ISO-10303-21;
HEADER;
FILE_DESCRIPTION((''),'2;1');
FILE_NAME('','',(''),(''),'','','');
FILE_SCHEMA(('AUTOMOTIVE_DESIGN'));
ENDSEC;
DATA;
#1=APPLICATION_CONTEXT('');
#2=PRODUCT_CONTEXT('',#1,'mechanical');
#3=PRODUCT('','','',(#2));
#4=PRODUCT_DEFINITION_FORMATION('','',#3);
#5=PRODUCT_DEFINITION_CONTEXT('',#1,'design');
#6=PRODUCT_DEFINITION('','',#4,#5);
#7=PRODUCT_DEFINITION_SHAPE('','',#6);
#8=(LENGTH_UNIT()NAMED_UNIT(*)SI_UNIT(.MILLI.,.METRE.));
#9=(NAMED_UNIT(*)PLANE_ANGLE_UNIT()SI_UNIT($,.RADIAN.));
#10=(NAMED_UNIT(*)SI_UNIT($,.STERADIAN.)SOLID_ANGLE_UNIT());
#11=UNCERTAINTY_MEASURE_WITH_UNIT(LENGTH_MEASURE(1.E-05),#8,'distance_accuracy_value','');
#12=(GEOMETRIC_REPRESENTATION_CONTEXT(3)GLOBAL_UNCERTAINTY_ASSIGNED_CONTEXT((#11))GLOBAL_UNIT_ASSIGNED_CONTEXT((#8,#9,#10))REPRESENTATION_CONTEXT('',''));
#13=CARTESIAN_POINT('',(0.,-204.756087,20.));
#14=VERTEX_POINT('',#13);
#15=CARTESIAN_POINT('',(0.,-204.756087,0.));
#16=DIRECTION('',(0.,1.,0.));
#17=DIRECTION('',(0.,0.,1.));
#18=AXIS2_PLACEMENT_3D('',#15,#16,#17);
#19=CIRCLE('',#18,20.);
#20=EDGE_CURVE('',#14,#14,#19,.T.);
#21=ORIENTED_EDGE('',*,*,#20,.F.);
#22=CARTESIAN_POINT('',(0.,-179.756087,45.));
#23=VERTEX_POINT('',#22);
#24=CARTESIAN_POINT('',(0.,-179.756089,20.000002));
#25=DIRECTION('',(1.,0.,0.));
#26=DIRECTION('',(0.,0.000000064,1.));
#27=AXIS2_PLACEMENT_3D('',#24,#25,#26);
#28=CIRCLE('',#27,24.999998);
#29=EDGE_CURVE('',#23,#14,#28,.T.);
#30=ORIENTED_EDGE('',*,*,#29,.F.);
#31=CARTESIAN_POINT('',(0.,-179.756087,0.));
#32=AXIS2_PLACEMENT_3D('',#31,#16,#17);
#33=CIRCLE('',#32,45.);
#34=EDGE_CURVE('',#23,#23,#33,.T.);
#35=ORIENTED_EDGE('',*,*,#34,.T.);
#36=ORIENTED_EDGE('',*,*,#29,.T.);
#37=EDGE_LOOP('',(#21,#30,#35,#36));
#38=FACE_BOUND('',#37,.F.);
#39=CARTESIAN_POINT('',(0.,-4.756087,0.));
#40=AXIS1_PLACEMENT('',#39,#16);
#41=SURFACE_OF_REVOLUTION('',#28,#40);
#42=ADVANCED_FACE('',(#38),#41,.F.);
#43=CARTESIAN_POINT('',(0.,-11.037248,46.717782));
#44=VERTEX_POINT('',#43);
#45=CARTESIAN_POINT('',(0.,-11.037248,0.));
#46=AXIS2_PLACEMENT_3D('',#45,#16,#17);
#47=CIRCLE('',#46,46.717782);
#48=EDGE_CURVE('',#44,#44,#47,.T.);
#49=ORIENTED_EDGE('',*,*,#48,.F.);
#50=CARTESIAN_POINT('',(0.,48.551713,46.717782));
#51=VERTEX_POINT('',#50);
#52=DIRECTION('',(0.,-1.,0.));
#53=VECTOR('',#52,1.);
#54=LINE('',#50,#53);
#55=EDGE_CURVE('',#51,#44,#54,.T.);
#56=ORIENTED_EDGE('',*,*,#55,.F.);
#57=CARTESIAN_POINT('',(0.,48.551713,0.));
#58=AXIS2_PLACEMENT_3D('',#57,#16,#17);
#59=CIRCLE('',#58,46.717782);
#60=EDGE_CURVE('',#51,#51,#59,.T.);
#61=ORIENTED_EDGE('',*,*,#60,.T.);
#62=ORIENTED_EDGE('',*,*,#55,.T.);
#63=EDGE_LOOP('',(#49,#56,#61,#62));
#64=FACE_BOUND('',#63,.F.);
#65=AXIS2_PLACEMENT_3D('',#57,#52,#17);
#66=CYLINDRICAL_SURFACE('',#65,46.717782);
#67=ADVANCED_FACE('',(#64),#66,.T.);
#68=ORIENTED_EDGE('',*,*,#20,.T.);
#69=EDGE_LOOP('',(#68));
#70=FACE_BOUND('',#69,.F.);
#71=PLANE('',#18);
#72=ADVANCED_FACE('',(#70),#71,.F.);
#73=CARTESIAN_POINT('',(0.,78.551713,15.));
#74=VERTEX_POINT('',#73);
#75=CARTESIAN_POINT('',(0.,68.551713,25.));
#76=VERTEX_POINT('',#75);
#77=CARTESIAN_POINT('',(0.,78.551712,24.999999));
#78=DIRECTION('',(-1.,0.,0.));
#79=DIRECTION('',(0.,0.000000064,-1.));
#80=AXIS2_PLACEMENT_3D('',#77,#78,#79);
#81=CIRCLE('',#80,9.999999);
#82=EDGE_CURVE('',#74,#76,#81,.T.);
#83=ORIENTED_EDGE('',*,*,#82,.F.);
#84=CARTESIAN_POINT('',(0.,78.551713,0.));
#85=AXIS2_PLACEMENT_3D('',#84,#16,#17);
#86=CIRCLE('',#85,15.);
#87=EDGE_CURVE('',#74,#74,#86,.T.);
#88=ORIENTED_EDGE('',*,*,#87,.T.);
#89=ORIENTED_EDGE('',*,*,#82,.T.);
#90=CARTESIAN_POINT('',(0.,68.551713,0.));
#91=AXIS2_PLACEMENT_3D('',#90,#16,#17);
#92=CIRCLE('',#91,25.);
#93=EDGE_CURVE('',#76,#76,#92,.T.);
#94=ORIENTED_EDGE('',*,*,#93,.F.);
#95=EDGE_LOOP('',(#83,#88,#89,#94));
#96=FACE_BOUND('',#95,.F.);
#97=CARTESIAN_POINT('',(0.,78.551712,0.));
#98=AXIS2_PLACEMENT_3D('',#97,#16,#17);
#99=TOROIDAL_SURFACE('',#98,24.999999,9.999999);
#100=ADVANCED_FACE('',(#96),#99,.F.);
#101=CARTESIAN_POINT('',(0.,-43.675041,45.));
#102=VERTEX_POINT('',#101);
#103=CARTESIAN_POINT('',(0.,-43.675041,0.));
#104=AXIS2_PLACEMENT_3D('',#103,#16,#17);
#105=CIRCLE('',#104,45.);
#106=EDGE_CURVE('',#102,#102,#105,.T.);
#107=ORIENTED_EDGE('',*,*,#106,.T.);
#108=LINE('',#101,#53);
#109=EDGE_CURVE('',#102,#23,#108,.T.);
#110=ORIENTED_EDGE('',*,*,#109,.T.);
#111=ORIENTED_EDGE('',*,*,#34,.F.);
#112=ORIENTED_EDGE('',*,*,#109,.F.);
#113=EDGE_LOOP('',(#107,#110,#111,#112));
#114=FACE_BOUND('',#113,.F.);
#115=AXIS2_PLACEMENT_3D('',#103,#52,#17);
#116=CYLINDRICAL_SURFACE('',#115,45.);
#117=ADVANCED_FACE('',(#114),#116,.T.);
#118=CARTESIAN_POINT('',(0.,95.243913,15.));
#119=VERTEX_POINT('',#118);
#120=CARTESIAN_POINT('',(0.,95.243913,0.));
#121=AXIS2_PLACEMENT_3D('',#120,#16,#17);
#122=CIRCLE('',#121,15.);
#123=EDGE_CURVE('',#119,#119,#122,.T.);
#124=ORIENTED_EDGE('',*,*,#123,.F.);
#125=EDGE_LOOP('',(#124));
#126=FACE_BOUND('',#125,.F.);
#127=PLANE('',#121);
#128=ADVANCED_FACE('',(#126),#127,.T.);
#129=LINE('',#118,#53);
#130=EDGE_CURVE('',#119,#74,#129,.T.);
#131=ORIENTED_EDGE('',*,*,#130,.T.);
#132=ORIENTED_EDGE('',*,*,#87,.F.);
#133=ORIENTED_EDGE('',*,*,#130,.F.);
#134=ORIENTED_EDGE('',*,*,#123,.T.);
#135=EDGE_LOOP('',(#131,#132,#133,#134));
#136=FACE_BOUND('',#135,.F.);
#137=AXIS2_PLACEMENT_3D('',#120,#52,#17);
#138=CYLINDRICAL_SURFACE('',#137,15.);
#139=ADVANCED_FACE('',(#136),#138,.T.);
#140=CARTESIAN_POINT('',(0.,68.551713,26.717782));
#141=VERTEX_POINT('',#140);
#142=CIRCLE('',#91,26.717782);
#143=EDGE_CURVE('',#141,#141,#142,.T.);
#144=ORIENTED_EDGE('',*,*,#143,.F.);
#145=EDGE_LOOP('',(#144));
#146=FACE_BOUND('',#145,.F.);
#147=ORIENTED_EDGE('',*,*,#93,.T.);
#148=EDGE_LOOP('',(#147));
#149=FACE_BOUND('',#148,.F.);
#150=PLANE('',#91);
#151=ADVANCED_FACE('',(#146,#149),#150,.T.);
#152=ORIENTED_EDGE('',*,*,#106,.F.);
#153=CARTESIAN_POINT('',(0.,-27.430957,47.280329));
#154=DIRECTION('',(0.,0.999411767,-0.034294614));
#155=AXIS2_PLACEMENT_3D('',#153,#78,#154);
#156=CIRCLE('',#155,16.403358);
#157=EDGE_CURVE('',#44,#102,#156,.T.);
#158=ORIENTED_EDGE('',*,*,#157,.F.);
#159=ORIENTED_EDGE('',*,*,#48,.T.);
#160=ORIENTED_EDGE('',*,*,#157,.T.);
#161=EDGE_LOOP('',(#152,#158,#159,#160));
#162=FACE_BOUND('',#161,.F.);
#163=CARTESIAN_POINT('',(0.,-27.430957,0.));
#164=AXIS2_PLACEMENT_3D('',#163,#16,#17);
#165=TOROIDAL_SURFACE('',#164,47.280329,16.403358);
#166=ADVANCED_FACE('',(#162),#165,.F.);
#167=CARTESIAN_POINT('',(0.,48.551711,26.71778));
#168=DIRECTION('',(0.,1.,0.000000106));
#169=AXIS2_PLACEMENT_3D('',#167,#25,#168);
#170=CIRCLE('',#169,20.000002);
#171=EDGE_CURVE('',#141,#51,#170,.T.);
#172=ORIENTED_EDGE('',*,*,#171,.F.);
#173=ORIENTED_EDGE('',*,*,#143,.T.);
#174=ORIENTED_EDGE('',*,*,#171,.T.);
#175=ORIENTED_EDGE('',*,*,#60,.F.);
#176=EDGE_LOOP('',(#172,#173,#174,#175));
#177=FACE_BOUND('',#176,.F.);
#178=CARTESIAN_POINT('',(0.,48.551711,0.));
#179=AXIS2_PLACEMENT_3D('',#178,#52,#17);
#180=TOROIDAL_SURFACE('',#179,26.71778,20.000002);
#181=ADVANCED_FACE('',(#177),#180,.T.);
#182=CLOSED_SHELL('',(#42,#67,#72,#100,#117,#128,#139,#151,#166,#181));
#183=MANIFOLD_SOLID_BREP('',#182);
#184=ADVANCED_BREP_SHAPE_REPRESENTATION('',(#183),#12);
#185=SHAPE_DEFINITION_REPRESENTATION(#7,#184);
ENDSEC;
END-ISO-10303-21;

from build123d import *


with BuildPart() as f1:
    # F0 (on Right) → F1 (revolve)
    with BuildSketch(Plane.YZ):
        with BuildLine():
            Line((-204.756087, 20), (-204.756087, 0))
            Line((-204.756087, 0), (95.243913, 0))
            Line((95.243913, 0), (95.243913, 15))
            Line((95.243913, 15), (78.551713, 15))
            ThreePointArc((78.551713, 15), (71.480645, 17.928932), (68.551713, 25))
            Line((68.551713, 25), (68.551713, 26.717782))
            ThreePointArc((68.551713, 26.717782), (62.693848, 40.859917), (48.551713, 46.717782))
            Line((48.551713, 46.717782), (-11.037248, 46.717782))
            ThreePointArc((-11.037248, 46.717782), (-26.568814, 30.899643), (-43.675041, 45))
            Line((-43.675041, 45), (-179.756087, 45))
            ThreePointArc((-179.756087, 45), (-197.433757, 37.67767), (-204.756087, 20))
        make_face()
    revolve(axis=Axis((0, -4.756087, 0), (0, 1, 0)))


solid = f1.part
